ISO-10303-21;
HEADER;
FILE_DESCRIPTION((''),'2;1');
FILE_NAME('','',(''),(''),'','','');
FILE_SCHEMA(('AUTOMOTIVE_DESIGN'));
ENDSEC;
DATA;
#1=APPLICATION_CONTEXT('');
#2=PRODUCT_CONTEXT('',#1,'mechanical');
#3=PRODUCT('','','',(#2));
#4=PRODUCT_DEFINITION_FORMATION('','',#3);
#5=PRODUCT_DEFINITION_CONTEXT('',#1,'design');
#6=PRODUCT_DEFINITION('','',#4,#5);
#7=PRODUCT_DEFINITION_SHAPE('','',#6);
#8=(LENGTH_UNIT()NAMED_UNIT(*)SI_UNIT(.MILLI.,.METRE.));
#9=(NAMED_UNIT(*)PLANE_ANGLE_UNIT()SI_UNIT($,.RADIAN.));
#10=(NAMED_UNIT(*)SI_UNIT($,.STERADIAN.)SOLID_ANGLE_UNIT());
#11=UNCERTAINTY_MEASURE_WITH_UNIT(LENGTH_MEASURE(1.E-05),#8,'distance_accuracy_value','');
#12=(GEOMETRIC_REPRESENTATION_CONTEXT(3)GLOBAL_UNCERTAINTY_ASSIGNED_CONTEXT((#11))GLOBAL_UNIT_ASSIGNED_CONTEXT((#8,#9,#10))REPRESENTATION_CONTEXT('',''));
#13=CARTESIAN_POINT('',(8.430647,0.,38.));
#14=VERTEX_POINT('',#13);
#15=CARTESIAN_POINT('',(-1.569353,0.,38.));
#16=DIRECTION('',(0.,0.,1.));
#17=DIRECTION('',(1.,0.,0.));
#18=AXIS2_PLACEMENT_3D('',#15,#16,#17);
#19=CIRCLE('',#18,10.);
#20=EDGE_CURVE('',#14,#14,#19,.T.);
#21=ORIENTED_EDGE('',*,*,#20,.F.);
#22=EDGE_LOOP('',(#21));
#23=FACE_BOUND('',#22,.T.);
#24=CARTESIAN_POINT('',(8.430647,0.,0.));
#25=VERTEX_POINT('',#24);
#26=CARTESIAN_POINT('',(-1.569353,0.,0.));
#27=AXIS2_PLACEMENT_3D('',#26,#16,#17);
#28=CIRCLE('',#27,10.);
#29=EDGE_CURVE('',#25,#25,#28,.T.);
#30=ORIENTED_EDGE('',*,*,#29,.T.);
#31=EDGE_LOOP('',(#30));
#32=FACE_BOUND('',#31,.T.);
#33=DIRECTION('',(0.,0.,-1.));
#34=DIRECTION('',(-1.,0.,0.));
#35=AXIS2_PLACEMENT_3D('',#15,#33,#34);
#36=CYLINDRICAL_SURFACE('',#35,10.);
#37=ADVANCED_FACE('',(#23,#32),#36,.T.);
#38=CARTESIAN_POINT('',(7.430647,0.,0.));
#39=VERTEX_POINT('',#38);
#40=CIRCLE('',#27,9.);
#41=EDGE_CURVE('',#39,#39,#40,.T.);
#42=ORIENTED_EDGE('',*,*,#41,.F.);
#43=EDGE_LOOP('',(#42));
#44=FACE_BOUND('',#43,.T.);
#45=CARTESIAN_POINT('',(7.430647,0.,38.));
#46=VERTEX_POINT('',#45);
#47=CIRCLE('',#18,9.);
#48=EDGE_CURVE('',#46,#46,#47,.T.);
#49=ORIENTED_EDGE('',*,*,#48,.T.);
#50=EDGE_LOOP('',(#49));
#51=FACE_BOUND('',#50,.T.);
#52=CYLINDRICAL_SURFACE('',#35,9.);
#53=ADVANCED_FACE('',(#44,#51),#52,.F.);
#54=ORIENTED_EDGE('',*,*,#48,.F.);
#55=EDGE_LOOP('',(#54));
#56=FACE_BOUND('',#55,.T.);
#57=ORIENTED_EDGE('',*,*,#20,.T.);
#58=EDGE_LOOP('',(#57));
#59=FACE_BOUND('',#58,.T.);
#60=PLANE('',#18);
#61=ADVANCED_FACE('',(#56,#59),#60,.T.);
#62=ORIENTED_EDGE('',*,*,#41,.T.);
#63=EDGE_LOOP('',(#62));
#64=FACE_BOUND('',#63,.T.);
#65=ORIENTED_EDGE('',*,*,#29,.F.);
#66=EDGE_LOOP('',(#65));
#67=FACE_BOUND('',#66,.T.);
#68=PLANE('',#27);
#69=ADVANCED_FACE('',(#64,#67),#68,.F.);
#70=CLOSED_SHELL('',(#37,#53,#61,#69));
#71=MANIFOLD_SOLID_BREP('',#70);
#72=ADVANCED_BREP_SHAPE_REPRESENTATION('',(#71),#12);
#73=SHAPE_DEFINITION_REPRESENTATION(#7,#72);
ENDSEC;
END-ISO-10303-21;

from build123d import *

# Parameters (mm, degrees)
SKETCH_1_R      = 10
SKETCH_1_R_2    = 9
EXTRUDE_1_DEPTH = 38


with BuildPart() as part:
    # 草图1 → 凸台-拉伸1 (new body)
    with BuildSketch(Plane.XY):
        with Locations((-1.569352558, 0)):
            Circle(SKETCH_1_R)
        with Locations((-1.569352558, 0)):
            Circle(SKETCH_1_R_2, mode=Mode.SUBTRACT)
    extrude(amount=EXTRUDE_1_DEPTH)


solid = part.part
